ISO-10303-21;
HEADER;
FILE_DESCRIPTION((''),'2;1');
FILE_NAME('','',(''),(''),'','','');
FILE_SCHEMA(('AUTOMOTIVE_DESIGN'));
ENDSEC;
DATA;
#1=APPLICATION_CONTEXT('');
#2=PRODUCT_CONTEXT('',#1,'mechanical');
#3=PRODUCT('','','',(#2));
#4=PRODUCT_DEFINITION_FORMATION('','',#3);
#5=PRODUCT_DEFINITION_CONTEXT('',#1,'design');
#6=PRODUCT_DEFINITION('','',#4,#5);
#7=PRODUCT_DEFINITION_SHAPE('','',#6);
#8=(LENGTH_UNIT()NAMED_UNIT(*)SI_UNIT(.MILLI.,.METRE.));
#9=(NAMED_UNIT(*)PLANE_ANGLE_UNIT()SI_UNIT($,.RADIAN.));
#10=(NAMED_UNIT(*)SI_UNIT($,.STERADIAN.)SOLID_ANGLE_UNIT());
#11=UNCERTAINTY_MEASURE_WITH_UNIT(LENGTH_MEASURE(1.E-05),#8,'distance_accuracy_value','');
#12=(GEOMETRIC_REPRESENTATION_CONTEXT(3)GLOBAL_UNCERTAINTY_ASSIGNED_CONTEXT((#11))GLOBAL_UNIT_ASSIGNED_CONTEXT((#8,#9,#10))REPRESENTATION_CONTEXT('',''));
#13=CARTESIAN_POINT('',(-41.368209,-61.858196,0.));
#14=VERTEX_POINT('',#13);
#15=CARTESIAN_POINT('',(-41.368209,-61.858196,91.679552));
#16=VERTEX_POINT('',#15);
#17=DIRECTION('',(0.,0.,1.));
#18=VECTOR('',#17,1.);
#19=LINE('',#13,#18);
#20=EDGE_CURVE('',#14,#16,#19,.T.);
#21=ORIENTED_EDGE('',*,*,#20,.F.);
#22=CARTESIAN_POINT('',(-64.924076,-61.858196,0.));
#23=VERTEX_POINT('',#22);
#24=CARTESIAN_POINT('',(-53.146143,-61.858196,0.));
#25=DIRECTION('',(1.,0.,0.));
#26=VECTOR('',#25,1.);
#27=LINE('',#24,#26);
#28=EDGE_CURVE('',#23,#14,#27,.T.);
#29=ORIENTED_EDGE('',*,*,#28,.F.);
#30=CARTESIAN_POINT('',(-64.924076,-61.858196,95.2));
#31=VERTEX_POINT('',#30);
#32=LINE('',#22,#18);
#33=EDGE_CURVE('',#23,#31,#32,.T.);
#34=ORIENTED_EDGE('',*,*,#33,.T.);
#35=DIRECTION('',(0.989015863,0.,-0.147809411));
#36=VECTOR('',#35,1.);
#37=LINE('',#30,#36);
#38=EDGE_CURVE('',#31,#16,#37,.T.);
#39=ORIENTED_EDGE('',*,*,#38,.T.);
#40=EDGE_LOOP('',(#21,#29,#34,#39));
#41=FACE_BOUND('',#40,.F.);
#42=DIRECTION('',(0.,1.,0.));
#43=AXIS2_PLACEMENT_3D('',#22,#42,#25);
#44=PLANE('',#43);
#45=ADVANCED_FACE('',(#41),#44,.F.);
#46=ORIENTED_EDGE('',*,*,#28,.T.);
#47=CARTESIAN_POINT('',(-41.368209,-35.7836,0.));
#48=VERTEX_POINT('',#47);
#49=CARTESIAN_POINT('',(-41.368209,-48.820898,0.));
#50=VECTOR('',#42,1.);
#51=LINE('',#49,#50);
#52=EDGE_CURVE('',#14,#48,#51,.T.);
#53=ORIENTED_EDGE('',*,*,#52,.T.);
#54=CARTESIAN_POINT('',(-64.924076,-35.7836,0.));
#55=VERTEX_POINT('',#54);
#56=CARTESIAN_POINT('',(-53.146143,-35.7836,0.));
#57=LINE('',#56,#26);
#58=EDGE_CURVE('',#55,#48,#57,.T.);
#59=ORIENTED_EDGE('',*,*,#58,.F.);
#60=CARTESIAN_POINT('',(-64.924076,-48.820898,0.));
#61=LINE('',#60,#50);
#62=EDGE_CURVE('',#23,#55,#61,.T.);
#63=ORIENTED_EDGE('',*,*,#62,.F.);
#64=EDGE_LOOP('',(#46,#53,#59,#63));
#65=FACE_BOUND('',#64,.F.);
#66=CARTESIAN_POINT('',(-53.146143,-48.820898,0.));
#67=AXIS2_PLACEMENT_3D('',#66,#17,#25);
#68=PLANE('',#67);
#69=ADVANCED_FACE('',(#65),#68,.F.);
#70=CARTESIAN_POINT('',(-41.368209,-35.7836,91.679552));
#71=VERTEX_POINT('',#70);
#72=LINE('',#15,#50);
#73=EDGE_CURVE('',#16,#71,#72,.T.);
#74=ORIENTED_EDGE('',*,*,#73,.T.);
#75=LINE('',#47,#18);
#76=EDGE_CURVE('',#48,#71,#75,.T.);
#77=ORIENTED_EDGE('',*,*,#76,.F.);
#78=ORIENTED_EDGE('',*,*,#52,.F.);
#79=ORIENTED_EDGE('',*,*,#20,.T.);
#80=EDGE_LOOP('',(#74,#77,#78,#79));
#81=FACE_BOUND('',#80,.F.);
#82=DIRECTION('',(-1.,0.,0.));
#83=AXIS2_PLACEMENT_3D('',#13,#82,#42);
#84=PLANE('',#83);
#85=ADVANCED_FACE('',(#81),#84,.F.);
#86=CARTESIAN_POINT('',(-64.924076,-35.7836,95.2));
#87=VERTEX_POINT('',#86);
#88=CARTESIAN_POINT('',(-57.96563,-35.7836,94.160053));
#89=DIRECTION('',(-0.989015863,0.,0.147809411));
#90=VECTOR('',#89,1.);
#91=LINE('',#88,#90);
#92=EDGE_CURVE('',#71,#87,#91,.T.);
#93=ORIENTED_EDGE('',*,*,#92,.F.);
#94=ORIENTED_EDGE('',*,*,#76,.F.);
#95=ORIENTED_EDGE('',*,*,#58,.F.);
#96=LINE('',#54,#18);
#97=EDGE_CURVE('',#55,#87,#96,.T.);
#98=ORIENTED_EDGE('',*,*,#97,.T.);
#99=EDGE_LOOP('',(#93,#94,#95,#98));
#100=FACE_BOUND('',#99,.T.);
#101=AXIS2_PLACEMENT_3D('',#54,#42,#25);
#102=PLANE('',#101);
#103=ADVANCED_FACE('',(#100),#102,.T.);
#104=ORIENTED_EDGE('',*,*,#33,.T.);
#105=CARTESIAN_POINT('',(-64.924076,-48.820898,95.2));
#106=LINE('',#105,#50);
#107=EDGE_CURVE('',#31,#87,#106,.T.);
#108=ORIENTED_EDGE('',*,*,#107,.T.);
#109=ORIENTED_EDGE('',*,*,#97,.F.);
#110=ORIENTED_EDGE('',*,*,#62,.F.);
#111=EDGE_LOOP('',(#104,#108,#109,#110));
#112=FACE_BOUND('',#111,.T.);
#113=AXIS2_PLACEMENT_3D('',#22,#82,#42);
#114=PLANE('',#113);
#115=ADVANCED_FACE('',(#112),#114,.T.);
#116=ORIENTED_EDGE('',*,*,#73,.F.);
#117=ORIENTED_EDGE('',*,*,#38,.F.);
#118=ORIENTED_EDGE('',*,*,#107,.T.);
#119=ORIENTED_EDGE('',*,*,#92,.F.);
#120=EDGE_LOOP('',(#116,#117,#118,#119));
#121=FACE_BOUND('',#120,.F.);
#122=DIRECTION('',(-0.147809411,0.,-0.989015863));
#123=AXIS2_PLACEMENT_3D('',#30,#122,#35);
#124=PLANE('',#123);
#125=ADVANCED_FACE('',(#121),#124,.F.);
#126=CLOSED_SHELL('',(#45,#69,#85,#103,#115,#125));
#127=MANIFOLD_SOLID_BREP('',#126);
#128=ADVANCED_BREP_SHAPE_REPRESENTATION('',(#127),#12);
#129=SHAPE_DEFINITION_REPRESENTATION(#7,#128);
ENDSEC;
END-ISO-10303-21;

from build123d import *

# Parameters (mm, degrees)
F0_W     = 23.5558673739
F0_H     = 26.0745957494
F1_DEPTH = 95.2
F3_DEPTH = 30


with BuildPart() as f1:
    # F0 (on Top) → F1 (new body)
    with BuildSketch(Plane.XY):
        with Locations((-53.1461425126, -48.8208979368)):
            Rectangle(F0_W, F0_H)
    extrude(amount=F1_DEPTH)

    # F2 (on face) → F3 (cut)
    with BuildSketch(Plane.XZ.offset(61.8581958115)):
        Polygon((-41.3682088256, 95.2), (-64.9240761995, 95.2), (-41.3682088256, 91.6795520333), align=None)
    extrude(amount=-F3_DEPTH, mode=Mode.SUBTRACT)


solid = f1.part
